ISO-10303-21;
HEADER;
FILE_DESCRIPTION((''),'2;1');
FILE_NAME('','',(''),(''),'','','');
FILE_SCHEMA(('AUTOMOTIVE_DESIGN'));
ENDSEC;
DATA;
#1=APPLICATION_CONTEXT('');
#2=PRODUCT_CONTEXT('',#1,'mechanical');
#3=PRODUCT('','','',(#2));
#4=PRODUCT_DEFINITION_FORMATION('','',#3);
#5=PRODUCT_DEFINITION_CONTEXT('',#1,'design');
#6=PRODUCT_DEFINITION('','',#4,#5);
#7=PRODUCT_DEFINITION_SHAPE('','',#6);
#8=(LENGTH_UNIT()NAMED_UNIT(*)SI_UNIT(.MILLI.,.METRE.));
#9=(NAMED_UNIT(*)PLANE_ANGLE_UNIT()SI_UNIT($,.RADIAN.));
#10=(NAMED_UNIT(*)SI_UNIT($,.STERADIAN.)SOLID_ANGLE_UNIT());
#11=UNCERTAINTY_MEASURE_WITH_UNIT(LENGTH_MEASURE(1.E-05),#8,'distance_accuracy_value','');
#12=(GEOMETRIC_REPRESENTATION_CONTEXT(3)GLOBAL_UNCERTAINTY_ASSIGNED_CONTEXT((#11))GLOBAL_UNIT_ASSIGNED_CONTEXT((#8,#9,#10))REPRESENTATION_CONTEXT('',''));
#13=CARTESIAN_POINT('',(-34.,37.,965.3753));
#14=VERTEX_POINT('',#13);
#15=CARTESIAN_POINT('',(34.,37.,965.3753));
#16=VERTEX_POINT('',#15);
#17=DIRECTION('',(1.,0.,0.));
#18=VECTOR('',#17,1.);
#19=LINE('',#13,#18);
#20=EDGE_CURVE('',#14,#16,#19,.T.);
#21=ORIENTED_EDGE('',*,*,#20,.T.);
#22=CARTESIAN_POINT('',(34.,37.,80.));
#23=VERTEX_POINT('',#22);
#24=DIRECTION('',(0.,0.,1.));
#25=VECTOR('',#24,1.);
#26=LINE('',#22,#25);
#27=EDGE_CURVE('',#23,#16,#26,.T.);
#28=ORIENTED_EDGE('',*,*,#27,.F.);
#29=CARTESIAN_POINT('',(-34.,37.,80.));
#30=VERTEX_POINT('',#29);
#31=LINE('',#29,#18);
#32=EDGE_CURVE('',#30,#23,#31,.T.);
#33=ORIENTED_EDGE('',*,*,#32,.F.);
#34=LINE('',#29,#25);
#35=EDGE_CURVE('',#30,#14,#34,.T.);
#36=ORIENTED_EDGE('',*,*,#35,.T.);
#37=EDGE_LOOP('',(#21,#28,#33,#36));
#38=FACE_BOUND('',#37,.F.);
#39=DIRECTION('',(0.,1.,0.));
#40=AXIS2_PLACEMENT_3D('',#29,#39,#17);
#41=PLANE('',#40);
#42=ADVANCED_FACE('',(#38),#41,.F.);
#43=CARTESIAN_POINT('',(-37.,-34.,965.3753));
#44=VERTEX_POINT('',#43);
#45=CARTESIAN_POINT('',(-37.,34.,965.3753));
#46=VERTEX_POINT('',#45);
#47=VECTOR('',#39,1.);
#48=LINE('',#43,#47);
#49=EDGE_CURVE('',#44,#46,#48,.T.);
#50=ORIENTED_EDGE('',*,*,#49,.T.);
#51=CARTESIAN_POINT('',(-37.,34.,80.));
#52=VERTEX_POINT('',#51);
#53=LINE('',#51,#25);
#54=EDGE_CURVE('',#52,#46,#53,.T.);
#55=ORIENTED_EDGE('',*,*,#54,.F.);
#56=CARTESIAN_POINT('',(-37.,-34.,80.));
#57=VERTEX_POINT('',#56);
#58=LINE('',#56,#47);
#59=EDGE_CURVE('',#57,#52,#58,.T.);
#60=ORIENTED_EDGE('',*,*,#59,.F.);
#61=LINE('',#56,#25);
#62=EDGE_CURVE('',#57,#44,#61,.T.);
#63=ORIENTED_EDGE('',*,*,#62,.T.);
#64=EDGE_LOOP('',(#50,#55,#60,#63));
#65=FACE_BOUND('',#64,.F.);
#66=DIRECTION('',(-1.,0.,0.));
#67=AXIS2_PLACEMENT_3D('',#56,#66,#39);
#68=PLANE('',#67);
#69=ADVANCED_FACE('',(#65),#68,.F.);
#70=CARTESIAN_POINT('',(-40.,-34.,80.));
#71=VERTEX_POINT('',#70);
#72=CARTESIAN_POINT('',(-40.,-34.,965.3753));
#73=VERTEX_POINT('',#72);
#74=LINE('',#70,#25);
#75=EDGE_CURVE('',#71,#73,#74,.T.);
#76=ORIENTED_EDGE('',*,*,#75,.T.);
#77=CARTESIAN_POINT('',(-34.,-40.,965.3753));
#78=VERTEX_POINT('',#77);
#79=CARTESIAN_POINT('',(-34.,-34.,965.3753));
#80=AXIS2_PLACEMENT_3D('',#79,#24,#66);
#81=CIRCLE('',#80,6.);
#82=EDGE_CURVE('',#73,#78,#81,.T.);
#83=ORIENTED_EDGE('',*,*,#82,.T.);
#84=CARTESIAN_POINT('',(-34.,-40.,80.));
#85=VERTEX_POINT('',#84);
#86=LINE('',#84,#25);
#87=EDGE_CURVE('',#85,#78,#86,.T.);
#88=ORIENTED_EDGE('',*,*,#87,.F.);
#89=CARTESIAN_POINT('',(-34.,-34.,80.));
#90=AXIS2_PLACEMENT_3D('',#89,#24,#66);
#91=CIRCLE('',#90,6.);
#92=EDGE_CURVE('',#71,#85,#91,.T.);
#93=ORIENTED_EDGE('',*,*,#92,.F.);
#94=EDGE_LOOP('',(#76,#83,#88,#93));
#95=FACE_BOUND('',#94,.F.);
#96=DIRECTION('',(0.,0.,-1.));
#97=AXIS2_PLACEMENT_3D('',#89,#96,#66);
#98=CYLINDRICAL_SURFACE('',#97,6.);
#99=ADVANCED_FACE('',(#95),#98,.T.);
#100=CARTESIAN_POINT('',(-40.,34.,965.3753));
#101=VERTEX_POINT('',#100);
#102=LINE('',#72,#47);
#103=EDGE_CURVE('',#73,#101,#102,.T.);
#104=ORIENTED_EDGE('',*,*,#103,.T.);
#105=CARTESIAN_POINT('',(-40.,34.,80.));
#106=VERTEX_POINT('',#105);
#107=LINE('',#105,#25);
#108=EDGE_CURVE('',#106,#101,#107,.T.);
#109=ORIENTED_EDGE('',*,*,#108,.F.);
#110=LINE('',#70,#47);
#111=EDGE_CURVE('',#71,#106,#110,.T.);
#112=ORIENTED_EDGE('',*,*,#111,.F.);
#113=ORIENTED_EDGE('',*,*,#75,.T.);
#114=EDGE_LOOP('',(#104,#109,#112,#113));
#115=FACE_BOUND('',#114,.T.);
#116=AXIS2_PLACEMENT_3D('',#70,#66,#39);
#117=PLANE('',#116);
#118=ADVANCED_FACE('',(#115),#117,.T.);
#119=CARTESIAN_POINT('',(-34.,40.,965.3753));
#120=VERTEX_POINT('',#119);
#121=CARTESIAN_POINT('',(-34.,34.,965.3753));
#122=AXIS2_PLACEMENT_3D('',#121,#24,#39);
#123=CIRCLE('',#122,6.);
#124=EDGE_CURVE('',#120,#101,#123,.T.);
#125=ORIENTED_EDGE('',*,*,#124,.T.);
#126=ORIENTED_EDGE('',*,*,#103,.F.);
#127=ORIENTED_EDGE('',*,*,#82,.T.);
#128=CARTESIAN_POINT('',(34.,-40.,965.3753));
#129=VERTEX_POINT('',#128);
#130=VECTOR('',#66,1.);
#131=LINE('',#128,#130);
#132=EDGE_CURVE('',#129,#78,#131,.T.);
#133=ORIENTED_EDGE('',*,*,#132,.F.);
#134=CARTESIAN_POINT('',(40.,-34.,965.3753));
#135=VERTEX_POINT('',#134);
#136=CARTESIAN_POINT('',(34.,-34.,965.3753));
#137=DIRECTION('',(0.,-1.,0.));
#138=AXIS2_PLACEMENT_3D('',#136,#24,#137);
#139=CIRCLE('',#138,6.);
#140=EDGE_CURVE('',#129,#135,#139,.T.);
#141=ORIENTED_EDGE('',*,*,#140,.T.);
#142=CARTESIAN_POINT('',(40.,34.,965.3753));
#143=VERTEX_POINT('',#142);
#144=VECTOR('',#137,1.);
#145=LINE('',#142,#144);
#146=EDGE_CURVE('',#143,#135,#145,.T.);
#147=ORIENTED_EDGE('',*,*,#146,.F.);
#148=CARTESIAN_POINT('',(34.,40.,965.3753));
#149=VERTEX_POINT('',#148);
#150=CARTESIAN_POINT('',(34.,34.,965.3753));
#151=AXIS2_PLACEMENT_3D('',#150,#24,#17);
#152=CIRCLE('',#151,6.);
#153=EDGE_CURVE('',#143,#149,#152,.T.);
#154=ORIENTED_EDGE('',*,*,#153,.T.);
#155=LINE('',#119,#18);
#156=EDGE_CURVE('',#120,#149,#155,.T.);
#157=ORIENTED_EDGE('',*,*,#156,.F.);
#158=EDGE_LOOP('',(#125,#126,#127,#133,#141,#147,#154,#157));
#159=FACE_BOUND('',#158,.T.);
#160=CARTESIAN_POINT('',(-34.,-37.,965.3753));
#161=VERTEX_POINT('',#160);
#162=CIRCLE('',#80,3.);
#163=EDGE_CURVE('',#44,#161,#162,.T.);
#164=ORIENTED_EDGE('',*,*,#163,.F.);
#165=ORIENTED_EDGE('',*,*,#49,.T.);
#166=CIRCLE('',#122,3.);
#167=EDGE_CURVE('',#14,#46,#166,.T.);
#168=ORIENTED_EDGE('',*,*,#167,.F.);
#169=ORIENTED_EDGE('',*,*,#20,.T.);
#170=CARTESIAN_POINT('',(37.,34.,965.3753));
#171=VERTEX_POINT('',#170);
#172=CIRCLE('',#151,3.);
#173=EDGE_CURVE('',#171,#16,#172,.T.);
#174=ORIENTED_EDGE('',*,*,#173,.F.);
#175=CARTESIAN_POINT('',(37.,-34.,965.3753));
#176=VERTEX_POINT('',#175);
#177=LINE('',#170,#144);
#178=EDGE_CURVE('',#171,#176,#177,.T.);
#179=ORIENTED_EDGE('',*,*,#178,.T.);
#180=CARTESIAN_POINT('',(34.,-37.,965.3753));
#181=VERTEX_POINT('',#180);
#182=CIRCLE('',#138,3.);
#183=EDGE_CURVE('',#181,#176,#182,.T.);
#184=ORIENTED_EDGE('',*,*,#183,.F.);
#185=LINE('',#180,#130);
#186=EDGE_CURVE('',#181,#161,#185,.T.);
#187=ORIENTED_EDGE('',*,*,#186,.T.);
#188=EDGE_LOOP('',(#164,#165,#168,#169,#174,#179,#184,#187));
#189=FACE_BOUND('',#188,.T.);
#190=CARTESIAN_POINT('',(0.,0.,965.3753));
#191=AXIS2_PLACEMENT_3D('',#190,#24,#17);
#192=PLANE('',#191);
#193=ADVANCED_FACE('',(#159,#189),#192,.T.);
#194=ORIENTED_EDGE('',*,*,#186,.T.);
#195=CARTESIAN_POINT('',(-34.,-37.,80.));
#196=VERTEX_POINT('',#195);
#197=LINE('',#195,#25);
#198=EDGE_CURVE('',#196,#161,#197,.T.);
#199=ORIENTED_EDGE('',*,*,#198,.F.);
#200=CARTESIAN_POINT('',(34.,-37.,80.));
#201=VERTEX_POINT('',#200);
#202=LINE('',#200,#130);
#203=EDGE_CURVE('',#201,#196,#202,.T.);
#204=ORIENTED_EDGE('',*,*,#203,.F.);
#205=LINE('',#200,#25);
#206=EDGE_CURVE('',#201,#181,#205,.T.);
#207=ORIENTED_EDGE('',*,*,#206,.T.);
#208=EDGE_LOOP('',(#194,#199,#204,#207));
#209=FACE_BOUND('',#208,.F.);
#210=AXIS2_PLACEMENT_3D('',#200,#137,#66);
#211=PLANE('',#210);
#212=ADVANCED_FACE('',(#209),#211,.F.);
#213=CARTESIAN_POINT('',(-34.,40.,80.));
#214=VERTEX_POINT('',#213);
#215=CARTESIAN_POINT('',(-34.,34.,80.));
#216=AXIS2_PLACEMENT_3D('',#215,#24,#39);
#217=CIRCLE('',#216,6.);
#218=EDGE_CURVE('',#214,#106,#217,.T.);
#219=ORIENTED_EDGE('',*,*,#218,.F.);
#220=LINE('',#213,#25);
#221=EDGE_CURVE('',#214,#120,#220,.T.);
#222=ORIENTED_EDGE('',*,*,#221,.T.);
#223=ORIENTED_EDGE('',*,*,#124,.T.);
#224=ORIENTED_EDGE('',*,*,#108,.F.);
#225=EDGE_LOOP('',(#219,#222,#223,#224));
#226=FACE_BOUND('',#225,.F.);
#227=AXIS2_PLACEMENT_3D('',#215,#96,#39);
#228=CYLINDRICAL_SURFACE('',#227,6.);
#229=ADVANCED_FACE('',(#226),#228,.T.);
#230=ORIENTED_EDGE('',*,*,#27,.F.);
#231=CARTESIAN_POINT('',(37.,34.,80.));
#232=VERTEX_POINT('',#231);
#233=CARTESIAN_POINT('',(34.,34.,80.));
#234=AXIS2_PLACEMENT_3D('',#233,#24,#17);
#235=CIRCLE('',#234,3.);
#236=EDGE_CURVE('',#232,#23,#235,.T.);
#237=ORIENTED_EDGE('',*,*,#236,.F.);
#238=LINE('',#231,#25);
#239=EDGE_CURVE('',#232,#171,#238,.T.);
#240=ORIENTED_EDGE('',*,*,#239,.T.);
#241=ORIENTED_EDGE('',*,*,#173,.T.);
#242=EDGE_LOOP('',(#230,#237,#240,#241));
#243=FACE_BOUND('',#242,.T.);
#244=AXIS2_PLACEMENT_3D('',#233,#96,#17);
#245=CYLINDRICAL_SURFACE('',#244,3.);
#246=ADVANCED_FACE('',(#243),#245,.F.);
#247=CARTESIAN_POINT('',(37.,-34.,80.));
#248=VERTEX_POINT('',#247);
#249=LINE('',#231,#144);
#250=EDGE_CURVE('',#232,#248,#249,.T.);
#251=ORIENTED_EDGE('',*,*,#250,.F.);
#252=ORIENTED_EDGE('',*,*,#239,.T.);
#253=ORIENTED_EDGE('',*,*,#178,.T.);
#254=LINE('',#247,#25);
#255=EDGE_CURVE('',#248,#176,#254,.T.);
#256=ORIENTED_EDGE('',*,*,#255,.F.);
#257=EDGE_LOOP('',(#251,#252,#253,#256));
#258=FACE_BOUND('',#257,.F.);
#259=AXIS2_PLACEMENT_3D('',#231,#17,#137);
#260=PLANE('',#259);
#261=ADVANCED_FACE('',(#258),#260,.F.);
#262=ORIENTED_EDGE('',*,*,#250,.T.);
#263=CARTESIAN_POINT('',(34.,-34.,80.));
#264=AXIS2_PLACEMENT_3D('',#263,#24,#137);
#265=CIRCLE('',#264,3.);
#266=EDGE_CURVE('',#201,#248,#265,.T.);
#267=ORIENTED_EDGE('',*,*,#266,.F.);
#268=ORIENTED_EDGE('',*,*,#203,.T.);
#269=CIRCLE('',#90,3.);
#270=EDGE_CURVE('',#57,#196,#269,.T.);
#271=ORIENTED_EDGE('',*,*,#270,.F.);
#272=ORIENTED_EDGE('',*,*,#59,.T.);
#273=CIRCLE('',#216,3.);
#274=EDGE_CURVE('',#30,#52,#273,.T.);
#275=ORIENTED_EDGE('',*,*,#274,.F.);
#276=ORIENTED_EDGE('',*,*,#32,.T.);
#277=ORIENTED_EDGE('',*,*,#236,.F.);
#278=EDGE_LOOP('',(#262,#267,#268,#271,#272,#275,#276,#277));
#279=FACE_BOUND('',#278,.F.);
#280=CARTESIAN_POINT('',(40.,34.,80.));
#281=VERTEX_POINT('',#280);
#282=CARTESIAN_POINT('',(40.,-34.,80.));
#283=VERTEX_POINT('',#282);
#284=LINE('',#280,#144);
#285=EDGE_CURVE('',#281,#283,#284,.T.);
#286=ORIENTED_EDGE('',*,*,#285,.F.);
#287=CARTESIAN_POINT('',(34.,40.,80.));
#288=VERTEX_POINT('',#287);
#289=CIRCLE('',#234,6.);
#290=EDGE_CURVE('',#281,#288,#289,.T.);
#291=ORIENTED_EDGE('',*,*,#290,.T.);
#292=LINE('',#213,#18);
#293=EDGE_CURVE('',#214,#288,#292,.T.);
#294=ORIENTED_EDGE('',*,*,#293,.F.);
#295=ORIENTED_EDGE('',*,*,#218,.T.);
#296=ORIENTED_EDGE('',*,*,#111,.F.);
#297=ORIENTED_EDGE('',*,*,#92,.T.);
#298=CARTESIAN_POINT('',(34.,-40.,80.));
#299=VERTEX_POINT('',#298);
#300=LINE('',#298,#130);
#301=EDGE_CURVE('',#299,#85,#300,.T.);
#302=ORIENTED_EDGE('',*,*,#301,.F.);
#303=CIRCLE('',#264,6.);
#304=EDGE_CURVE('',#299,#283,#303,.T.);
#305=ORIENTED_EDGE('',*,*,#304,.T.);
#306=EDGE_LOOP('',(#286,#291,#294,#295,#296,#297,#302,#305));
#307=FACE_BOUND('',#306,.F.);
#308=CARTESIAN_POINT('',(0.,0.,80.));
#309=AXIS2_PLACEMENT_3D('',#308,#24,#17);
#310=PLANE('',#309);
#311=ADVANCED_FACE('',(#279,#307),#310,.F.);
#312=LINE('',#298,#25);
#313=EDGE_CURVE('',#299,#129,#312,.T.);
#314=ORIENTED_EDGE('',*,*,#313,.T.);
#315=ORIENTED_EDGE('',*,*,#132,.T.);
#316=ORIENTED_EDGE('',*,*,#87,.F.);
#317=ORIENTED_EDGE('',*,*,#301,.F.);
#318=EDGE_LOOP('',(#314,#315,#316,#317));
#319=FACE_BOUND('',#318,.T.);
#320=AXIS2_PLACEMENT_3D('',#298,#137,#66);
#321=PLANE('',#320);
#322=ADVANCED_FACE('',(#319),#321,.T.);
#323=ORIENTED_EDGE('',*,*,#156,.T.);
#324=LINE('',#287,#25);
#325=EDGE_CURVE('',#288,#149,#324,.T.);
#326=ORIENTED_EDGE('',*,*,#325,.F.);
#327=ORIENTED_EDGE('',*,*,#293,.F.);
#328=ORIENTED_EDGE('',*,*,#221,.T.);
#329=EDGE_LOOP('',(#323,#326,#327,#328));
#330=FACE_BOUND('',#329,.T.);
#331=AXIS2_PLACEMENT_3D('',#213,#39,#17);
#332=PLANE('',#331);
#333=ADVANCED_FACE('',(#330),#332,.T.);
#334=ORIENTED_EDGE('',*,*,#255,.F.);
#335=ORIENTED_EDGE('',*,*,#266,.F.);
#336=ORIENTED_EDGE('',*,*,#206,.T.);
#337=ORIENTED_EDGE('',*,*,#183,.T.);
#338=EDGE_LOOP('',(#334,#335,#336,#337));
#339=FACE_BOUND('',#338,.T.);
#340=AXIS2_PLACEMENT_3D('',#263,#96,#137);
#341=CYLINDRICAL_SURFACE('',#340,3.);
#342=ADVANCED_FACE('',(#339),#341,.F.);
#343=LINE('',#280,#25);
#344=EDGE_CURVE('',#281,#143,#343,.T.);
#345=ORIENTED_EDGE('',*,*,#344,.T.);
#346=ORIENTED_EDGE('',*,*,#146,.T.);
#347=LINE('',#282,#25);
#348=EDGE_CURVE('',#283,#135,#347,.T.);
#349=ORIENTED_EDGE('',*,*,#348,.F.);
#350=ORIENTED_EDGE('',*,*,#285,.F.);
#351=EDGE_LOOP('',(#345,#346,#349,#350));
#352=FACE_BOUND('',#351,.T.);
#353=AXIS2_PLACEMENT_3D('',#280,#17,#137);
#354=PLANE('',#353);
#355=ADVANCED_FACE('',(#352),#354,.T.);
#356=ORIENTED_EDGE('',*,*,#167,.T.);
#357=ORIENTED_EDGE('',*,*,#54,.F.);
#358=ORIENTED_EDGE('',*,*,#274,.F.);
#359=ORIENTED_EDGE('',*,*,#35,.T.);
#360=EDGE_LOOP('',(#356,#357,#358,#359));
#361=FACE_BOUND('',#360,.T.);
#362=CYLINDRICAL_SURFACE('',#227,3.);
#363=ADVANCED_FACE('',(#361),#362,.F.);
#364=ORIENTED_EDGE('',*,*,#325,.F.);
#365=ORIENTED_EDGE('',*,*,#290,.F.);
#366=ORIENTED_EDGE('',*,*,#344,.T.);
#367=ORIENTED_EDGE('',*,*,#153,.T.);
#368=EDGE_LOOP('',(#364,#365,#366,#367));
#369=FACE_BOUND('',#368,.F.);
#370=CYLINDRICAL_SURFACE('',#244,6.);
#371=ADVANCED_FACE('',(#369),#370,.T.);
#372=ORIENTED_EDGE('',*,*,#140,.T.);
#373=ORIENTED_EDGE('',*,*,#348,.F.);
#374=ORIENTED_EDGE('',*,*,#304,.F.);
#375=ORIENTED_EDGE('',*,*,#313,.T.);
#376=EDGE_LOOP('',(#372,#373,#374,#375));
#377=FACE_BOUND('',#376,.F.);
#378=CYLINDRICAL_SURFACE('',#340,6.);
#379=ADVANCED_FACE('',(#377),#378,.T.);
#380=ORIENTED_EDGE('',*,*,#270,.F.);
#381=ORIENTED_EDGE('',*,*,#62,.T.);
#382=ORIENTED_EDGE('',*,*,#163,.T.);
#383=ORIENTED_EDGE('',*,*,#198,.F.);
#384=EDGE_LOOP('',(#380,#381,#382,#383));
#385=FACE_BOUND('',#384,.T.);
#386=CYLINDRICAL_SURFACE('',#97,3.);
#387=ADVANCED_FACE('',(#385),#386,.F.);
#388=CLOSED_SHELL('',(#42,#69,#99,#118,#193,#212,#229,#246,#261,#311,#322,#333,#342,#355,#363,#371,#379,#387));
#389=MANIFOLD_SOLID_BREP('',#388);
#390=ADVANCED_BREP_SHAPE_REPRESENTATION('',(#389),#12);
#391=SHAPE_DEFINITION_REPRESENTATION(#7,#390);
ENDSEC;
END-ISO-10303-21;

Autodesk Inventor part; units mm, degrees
ref_plane "YZ Plane" through (0, 0, 0) normal (1, 0, 0) x (0, 1, 0)
ref_plane "Start Plane" through (0, 0, 80) normal (0, 0, 1) x (1, 0, 0)
ref_plane "End Plane" through (0, 0, 965.3753) normal (0, 0, 1) x (1, 0, 0)
sketch "Sketch" plane through (0, 0, 0) normal (0, 0, 1) x (1, 0, 0)
  line L0 (-40, -34) -> (-40, 34)
  line L1 (-34, 40) -> (34, 40)
  line L2 (40, 34) -> (40, -34)
  line L3 (34, -40) -> (-34, -40)
  arc A0 (-40, -34) -> (-34, -40) centre (-34, -34) ccw
  arc A1 (40, 34) -> (34, 40) centre (34, 34) ccw
  arc A2 (-34, 40) -> (-40, 34) centre (-34, 34) ccw
  arc A3 (34, -40) -> (40, -34) centre (34, -34) ccw
  arc A4 (-34, 37) -> (-37, 34) centre (-34, 34) ccw
  line L4 (-34, 37) -> (34, 37)
  arc A5 (37, 34) -> (34, 37) centre (34, 34) ccw
  line L5 (37, 34) -> (37, -34)
  arc A6 (34, -37) -> (37, -34) centre (34, -34) ccw
  line L6 (34, -37) -> (-34, -37)
  arc A7 (-37, -34) -> (-34, -37) centre (-34, -34) ccw
  line L7 (-37, -34) -> (-37, 34)
  line L8 (0, 57.7397) -> (0, -57.7397) construction
  line L9 (-57.7397, 0) -> (57.7397, 0) construction
  dimension "d7" = 6
  dimension "d9" = 80
  dimension "d11" = 80
  dimension "d12" = 3
  dimension "d15" = 40
  dimension "d16" = 40
extrude "Body" add sketch "Sketch" along normal up to surface (885.3753 mm away) from surface at 80
sketch "Sketch3" plane through (0, 0, 0) normal (0, 0, 1) x (1, 0, 0)
  line L0 (0, 0) -> (10, 0)
ref_plane "Work Plane3" through (0, 0, 0) normal (0, -1, 0) x (1, 0, 0)
sketch "Sketch4" plane through (0, 0, 0) normal (0, -1, 0) x (1, 0, 0)
  line L0 (-2, 80) -> (12, 80) projected
  line L1 (-2, 965.3753) -> (12, 965.3753) projected
  dimension "d18" = 885.3753
equation "\"d7\" = G_IR"
equation "\"d9\" = G_W"
equation "\"d11\" = G_H"
equation "\"d12\" = G_T"
equation "\"d15\" = 0.5 * d9"
equation "\"d16\" = 0.5 * d11"
equation "\"d3\" = G_L"
equation "\"G_W\" = 80"
equation "\"G_H\" = 80"
equation "\"G_T\" = 3"
equation "\"G_IR\" = 6"
equation "\"G_L\" = d18"
equation "\"d14\" = G_OFFSET_END + B_L"
equation "\"B_L\" = 1005.37532"
equation "\"G_OFFSET_END\" = -40"
properties part number "ISO 10799-2 - 80x80x3 - 885,38" material "Steel, Mild"
